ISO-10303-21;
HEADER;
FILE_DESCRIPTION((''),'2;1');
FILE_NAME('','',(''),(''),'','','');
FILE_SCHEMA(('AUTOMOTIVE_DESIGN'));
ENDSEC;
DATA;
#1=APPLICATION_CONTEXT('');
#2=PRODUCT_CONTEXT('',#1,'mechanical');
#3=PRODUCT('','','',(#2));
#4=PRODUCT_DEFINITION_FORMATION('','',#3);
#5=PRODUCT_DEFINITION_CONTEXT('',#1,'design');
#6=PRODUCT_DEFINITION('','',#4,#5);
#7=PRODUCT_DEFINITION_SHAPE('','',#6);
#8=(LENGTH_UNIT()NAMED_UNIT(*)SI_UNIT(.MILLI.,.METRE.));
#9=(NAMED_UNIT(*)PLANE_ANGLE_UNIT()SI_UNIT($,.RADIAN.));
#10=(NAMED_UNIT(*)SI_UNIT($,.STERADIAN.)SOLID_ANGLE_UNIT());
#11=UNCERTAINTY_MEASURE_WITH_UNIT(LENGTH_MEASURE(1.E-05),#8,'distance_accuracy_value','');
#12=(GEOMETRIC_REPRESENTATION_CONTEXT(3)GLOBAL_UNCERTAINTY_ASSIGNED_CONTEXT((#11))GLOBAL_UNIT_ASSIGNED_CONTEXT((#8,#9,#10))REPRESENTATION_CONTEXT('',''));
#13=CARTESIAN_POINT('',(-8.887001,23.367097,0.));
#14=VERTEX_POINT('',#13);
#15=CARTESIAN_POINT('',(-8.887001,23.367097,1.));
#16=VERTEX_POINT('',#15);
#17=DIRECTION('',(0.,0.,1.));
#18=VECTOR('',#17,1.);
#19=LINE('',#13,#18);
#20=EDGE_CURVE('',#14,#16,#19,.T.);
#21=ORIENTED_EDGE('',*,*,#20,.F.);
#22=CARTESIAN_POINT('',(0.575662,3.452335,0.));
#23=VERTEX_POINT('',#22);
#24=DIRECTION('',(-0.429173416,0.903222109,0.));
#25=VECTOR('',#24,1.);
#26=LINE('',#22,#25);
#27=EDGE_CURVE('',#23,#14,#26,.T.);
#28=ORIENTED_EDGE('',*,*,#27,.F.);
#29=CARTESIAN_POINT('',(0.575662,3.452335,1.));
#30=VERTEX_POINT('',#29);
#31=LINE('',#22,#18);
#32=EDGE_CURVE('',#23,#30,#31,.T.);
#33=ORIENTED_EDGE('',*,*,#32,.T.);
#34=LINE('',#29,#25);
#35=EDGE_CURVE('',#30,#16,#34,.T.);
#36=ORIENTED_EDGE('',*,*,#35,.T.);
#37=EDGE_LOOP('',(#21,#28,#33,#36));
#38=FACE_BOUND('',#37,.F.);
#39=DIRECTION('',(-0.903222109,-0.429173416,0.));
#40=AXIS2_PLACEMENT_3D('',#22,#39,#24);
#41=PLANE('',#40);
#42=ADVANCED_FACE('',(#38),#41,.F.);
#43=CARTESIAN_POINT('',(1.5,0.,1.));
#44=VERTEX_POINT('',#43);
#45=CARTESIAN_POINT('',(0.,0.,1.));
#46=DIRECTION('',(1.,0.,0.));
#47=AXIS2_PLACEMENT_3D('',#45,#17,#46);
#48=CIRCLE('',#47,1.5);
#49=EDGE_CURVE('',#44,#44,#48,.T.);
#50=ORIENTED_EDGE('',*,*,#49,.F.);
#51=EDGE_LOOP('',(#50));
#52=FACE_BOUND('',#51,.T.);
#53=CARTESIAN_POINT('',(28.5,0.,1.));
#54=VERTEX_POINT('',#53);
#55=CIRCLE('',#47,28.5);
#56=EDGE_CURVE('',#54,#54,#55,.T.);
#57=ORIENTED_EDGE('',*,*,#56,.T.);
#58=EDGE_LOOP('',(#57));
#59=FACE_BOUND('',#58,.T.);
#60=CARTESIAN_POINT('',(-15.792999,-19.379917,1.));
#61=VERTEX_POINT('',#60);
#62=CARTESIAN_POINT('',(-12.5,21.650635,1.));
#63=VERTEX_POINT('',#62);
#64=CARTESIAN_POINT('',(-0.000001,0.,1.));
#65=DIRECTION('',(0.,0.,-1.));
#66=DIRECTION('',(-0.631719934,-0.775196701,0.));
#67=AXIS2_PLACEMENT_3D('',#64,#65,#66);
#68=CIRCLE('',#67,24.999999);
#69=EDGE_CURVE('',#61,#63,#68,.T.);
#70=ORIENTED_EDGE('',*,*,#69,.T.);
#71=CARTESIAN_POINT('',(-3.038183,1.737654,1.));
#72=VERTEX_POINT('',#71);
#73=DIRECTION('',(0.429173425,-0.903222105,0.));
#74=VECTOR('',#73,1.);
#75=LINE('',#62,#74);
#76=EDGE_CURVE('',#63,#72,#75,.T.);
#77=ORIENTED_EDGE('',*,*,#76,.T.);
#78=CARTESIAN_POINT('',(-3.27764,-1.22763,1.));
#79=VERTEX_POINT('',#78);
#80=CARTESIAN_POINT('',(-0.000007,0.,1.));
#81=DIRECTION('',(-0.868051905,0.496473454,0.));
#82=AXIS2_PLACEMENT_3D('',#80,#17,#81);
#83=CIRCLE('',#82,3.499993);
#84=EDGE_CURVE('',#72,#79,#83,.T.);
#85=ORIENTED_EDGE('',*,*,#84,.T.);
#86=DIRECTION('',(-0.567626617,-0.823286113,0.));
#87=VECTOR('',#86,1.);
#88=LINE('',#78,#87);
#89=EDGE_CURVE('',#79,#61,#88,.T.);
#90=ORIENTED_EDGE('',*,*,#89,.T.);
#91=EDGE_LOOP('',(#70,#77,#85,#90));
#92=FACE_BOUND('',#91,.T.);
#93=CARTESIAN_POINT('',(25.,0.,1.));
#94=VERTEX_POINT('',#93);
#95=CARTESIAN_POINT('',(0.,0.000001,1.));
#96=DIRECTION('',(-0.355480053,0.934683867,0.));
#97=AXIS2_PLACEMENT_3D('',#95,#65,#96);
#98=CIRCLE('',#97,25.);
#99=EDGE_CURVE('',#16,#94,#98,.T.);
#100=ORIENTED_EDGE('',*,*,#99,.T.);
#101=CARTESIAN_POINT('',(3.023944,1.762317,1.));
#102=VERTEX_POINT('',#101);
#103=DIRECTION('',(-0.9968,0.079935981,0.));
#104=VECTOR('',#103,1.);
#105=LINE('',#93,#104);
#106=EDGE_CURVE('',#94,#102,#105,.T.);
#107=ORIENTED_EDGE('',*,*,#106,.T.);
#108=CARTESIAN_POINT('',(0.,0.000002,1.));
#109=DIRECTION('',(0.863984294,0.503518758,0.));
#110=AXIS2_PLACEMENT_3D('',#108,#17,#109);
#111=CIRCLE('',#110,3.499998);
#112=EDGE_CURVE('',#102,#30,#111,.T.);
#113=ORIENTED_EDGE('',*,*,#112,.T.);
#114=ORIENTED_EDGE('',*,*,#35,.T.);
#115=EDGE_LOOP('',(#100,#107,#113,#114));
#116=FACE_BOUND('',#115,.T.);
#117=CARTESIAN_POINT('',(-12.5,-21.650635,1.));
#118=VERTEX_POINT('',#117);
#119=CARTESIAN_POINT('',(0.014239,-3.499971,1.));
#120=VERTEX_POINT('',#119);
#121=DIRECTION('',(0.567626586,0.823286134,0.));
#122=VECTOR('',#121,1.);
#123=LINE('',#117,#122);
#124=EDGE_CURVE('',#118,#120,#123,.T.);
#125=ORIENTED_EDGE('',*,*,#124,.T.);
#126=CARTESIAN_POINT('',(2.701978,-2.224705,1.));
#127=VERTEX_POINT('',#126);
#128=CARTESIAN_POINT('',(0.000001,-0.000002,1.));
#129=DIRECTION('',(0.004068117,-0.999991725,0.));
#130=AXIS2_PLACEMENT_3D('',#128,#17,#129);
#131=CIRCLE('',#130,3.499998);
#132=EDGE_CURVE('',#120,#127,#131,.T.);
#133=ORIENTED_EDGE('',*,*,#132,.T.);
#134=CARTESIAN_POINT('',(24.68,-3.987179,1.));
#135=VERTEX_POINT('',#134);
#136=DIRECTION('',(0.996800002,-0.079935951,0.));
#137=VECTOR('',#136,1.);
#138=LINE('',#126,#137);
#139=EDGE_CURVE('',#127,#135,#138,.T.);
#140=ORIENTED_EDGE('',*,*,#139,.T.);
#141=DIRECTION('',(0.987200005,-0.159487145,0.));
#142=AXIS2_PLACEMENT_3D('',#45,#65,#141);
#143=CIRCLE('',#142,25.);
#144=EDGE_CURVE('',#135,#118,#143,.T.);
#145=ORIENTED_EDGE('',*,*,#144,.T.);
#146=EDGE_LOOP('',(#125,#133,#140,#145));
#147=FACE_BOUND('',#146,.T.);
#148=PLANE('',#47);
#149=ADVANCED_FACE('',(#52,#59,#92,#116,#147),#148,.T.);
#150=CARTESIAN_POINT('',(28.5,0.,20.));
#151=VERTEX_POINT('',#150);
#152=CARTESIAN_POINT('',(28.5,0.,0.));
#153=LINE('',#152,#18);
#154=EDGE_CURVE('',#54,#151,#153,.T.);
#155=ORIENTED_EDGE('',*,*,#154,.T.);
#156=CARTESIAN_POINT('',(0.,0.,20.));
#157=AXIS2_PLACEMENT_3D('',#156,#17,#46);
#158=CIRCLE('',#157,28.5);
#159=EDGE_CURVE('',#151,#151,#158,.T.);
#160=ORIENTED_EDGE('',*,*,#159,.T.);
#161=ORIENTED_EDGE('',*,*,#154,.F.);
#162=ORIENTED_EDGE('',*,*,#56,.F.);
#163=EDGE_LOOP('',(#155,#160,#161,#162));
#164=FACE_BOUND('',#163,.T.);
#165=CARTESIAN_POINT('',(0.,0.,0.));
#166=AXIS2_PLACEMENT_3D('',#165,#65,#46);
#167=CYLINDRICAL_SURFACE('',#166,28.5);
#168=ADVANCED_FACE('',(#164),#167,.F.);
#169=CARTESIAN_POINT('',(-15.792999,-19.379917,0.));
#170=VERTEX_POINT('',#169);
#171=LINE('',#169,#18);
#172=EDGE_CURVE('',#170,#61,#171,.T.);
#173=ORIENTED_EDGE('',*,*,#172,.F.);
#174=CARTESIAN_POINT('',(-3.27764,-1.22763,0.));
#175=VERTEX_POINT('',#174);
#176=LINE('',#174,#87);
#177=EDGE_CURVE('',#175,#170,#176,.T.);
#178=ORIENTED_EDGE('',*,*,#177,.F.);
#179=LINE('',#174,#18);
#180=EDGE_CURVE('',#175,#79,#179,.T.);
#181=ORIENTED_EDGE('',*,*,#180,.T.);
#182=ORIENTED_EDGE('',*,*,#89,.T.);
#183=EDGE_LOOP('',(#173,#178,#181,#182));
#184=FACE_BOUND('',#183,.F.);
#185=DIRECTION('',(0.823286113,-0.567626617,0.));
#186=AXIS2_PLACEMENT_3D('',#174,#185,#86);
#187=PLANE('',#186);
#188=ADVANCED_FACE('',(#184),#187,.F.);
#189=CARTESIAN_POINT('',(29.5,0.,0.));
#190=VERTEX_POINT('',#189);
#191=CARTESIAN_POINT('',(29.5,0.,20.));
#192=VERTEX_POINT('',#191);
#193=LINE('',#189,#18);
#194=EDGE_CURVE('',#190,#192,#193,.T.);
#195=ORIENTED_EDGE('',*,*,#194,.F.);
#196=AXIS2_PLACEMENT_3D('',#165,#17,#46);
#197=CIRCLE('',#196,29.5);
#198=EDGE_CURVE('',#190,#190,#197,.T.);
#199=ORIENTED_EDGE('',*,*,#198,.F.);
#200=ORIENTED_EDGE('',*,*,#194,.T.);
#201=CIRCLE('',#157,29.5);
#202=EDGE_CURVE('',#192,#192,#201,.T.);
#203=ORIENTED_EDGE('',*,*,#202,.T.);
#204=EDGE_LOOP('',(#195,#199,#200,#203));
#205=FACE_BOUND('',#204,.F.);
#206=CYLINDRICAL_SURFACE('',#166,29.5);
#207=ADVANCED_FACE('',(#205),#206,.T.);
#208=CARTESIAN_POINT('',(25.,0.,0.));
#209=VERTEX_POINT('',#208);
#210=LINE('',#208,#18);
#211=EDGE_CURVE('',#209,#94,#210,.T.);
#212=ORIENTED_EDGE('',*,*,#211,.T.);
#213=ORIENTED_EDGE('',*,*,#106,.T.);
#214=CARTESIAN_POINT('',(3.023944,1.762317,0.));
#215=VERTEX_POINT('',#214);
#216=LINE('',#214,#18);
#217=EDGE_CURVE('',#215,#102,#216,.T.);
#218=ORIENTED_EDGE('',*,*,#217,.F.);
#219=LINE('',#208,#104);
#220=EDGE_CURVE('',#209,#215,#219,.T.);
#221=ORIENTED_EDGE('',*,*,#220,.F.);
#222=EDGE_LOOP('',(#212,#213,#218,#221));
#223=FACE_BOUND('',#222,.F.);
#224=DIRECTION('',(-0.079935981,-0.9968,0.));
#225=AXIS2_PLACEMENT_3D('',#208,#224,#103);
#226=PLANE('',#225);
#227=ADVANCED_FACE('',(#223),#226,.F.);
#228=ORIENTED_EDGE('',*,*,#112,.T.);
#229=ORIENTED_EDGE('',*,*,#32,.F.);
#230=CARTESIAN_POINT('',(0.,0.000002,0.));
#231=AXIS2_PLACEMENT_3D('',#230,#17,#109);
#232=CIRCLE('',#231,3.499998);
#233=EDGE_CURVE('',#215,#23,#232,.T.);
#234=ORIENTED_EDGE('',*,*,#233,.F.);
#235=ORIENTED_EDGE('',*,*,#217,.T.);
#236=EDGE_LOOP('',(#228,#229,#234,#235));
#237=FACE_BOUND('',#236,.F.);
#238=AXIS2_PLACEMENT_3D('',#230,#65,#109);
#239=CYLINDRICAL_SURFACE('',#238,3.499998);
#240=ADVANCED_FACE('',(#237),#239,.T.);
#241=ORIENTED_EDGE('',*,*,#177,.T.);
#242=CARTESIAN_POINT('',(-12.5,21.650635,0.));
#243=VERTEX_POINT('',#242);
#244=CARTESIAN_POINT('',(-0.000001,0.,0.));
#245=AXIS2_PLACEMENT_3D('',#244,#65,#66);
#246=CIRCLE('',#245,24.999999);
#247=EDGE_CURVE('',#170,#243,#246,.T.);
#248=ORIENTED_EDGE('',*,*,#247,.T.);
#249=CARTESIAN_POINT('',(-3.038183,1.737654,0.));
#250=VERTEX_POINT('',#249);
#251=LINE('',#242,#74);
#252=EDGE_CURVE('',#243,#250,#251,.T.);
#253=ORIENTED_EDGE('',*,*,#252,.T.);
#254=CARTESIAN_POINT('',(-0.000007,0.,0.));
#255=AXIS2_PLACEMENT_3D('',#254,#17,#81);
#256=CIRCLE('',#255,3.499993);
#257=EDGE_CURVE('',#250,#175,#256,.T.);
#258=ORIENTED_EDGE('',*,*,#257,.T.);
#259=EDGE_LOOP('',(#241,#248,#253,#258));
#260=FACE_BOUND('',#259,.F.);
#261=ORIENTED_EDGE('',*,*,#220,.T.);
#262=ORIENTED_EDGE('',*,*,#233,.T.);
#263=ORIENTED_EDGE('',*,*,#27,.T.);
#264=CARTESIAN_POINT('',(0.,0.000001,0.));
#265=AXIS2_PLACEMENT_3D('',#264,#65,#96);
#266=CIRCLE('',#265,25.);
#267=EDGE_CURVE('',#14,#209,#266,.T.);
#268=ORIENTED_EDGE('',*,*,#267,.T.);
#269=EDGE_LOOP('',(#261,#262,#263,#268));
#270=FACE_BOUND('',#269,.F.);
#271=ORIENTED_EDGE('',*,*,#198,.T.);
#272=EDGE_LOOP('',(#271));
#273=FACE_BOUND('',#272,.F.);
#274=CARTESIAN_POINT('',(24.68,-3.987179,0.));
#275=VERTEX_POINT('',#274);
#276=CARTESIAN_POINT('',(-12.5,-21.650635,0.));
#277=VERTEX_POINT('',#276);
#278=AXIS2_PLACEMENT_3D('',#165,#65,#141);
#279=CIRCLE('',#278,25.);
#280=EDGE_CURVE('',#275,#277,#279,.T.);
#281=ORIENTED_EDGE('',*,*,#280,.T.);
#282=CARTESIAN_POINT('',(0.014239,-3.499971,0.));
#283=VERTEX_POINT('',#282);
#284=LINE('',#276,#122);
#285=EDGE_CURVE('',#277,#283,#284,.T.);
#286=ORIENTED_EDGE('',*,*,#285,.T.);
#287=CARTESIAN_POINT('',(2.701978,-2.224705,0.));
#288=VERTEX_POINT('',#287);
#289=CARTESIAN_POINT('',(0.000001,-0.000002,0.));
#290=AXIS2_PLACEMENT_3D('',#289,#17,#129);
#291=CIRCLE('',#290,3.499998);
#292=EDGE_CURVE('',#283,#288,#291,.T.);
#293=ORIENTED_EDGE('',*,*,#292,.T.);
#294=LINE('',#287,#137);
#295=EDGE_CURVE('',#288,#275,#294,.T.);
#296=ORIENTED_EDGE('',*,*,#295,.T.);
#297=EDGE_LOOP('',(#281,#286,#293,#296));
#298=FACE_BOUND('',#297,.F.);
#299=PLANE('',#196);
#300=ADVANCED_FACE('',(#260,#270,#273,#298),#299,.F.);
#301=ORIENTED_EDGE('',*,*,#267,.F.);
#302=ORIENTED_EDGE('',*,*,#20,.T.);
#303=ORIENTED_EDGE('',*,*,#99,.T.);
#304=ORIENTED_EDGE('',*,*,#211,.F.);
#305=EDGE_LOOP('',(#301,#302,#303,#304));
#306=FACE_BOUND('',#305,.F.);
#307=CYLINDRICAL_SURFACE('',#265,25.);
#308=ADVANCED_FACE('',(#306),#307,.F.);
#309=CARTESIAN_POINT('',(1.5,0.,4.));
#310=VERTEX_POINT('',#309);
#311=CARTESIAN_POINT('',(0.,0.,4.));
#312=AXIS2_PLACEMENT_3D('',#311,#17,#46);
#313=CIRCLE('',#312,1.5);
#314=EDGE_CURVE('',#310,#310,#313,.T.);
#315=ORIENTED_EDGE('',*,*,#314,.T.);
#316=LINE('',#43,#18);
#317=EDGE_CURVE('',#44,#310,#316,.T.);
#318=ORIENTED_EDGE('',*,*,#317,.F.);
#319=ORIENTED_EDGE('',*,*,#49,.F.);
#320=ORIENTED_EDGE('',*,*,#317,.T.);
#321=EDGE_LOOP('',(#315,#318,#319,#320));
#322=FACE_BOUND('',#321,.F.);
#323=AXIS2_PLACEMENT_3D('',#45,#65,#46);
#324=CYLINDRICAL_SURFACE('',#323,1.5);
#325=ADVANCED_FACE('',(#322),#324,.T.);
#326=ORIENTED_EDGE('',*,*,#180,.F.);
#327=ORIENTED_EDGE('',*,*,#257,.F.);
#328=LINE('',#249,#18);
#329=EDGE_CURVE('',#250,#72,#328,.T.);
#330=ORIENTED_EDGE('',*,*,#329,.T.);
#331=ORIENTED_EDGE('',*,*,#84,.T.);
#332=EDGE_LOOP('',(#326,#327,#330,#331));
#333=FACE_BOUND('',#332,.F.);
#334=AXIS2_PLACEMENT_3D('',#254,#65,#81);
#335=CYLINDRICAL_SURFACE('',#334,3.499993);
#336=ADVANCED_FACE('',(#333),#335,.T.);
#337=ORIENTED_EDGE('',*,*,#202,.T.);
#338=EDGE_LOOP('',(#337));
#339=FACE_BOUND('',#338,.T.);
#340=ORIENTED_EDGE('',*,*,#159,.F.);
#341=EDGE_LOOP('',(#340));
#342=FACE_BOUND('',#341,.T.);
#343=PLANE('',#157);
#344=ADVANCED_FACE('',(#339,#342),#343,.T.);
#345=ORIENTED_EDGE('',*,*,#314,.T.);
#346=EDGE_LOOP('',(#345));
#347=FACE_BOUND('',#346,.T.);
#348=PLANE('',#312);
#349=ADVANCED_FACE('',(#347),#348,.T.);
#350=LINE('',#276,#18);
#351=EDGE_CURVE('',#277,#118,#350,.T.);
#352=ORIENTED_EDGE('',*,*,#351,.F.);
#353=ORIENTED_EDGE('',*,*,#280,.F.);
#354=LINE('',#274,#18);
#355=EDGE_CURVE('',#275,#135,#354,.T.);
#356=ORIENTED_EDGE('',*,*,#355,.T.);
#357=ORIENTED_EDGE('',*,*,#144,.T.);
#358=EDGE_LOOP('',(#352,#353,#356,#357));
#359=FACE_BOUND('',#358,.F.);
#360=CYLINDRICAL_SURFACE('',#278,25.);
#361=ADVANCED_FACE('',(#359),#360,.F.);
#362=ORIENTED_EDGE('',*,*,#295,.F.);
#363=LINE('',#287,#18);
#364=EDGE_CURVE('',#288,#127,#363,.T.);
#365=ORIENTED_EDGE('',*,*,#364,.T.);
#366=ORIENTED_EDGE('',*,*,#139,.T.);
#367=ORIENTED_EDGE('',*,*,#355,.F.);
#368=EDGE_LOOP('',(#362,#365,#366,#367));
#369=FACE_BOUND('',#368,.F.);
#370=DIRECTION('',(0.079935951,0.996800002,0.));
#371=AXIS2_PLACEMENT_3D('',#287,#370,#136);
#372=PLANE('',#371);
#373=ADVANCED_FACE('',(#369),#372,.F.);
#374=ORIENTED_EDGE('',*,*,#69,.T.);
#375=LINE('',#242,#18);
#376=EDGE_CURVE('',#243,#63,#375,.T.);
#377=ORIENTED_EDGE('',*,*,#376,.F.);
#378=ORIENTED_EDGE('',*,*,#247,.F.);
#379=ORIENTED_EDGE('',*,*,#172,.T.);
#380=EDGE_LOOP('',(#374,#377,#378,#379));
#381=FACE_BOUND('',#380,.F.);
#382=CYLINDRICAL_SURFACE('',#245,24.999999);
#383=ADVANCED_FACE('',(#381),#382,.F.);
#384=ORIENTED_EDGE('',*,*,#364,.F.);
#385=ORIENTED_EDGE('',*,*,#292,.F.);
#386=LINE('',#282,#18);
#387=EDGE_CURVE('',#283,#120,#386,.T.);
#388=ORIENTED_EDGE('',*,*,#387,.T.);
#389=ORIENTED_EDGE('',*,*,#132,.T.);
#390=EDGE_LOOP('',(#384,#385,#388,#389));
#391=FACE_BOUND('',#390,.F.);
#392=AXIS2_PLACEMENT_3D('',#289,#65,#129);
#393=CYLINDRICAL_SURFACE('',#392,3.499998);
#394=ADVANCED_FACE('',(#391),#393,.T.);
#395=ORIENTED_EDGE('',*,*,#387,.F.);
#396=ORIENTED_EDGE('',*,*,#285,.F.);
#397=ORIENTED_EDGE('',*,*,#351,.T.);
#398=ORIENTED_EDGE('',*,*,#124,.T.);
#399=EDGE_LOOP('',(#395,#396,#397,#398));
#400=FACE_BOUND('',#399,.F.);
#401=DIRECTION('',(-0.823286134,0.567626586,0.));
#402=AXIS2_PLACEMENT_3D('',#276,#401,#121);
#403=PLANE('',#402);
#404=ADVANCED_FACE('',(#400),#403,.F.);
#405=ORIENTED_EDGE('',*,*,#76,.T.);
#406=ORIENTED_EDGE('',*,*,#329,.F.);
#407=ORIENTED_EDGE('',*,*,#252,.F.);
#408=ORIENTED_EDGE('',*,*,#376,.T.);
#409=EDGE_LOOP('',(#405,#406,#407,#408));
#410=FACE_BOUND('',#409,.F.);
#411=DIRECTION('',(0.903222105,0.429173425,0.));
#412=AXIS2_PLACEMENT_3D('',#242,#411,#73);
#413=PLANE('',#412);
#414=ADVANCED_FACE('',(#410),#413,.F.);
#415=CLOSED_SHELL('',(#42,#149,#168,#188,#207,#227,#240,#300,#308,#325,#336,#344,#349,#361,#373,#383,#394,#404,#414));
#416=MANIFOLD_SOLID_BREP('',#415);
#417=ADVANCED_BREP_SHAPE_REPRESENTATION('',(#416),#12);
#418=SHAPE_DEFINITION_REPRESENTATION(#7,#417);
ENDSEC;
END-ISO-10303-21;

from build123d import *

# Parameters (mm, degrees)
F0_R     = 29.5
F0_R_2   = 28.5
F1_DEPTH = 20
F2_DEPTH = 1
F3_R     = 1.5
F4_DEPTH = 3


with BuildPart() as f1:
    # F0 (on Top) → F1 (new body)
    with BuildSketch(Plane.XY):
        Circle(F0_R)
        Circle(F0_R_2, mode=Mode.SUBTRACT)
    extrude(amount=F1_DEPTH)

    # F0 (on Top) → F2 (join)
    with BuildSketch(Plane.XY):
        Circle(F0_R_2)
        with BuildLine():
            ThreePointArc((-8.887001, 23.367097), (14.191987, 20.581242), (25, 0))
            ThreePointArc((25, 0), (24.919872, -2), (24.68, -3.987179))
            ThreePointArc((24.68, -3.987179), (10.727885, -22.581242), (-12.5, -21.650635))
            ThreePointArc((-12.5, -21.650635), (-14.191987, -20.581242), (-15.792999, -19.379917))
            ThreePointArc((-15.792999, -19.379917), (-24.919872, 2), (-12.5, 21.650635))
            ThreePointArc((-12.5, 21.650635), (-10.727885, 22.581242), (-8.887001, 23.367097))
        make_face(mode=Mode.SUBTRACT)
        with BuildLine():
            Line((0.575662, 3.452335), (-8.887001, 23.367097))
            ThreePointArc((-8.887001, 23.367097), (-10.727885, 22.581242), (-12.5, 21.650635))
            Line((-12.5, 21.650635), (-3.038183, 1.737654))
            ThreePointArc((-3.038183, 1.737654), (-1.500345, 3.162114), (0.575662, 3.452335))
        make_face()
        with BuildLine():
            ThreePointArc((-15.792999, -19.379917), (-14.191987, -20.581242), (-12.5, -21.650635))
            Line((-12.5, -21.650635), (0.014239, -3.499971))
            ThreePointArc((0.014239, -3.499971), (-1.988299, -2.880394), (-3.27764, -1.22763))
            Line((-3.27764, -1.22763), (-15.792999, -19.379917))
        make_face()
        with BuildLine():
            ThreePointArc((3.5, 0), (3.378891, 0.912742), (3.023944, 1.762317))
            ThreePointArc((3.023944, 1.762317), (1.988299, 2.880394), (0.575662, 3.452335))
            ThreePointArc((0.575662, 3.452335), (-1.500345, 3.162114), (-3.038183, 1.737654))
            ThreePointArc((-3.038183, 1.737654), (-3.488644, 0.28172), (-3.27764, -1.22763))
            ThreePointArc((-3.27764, -1.22763), (-1.988299, -2.880394), (0.014239, -3.499971))
            ThreePointArc((0.014239, -3.499971), (1.500345, -3.162114), (2.701978, -2.224705))
            ThreePointArc((2.701978, -2.224705), (3.294459, -1.181752), (3.5, 0))
        make_face()
        with BuildLine():
            ThreePointArc((24.68, -3.987179), (24.919872, -2), (25, 0))
            Line((25, 0), (3.023944, 1.762317))
            ThreePointArc((3.023944, 1.762317), (3.378891, 0.912742), (3.5, 0))
            ThreePointArc((3.5, 0), (3.294459, -1.181752), (2.701978, -2.224705))
            Line((2.701978, -2.224705), (24.68, -3.987179))
        make_face()
    extrude(amount=F2_DEPTH)

    # F3 (on face) → F4 (join)
    with BuildSketch(Plane.XY.offset(1)):
        Circle(F3_R)
    extrude(amount=F4_DEPTH)


solid = f1.part
